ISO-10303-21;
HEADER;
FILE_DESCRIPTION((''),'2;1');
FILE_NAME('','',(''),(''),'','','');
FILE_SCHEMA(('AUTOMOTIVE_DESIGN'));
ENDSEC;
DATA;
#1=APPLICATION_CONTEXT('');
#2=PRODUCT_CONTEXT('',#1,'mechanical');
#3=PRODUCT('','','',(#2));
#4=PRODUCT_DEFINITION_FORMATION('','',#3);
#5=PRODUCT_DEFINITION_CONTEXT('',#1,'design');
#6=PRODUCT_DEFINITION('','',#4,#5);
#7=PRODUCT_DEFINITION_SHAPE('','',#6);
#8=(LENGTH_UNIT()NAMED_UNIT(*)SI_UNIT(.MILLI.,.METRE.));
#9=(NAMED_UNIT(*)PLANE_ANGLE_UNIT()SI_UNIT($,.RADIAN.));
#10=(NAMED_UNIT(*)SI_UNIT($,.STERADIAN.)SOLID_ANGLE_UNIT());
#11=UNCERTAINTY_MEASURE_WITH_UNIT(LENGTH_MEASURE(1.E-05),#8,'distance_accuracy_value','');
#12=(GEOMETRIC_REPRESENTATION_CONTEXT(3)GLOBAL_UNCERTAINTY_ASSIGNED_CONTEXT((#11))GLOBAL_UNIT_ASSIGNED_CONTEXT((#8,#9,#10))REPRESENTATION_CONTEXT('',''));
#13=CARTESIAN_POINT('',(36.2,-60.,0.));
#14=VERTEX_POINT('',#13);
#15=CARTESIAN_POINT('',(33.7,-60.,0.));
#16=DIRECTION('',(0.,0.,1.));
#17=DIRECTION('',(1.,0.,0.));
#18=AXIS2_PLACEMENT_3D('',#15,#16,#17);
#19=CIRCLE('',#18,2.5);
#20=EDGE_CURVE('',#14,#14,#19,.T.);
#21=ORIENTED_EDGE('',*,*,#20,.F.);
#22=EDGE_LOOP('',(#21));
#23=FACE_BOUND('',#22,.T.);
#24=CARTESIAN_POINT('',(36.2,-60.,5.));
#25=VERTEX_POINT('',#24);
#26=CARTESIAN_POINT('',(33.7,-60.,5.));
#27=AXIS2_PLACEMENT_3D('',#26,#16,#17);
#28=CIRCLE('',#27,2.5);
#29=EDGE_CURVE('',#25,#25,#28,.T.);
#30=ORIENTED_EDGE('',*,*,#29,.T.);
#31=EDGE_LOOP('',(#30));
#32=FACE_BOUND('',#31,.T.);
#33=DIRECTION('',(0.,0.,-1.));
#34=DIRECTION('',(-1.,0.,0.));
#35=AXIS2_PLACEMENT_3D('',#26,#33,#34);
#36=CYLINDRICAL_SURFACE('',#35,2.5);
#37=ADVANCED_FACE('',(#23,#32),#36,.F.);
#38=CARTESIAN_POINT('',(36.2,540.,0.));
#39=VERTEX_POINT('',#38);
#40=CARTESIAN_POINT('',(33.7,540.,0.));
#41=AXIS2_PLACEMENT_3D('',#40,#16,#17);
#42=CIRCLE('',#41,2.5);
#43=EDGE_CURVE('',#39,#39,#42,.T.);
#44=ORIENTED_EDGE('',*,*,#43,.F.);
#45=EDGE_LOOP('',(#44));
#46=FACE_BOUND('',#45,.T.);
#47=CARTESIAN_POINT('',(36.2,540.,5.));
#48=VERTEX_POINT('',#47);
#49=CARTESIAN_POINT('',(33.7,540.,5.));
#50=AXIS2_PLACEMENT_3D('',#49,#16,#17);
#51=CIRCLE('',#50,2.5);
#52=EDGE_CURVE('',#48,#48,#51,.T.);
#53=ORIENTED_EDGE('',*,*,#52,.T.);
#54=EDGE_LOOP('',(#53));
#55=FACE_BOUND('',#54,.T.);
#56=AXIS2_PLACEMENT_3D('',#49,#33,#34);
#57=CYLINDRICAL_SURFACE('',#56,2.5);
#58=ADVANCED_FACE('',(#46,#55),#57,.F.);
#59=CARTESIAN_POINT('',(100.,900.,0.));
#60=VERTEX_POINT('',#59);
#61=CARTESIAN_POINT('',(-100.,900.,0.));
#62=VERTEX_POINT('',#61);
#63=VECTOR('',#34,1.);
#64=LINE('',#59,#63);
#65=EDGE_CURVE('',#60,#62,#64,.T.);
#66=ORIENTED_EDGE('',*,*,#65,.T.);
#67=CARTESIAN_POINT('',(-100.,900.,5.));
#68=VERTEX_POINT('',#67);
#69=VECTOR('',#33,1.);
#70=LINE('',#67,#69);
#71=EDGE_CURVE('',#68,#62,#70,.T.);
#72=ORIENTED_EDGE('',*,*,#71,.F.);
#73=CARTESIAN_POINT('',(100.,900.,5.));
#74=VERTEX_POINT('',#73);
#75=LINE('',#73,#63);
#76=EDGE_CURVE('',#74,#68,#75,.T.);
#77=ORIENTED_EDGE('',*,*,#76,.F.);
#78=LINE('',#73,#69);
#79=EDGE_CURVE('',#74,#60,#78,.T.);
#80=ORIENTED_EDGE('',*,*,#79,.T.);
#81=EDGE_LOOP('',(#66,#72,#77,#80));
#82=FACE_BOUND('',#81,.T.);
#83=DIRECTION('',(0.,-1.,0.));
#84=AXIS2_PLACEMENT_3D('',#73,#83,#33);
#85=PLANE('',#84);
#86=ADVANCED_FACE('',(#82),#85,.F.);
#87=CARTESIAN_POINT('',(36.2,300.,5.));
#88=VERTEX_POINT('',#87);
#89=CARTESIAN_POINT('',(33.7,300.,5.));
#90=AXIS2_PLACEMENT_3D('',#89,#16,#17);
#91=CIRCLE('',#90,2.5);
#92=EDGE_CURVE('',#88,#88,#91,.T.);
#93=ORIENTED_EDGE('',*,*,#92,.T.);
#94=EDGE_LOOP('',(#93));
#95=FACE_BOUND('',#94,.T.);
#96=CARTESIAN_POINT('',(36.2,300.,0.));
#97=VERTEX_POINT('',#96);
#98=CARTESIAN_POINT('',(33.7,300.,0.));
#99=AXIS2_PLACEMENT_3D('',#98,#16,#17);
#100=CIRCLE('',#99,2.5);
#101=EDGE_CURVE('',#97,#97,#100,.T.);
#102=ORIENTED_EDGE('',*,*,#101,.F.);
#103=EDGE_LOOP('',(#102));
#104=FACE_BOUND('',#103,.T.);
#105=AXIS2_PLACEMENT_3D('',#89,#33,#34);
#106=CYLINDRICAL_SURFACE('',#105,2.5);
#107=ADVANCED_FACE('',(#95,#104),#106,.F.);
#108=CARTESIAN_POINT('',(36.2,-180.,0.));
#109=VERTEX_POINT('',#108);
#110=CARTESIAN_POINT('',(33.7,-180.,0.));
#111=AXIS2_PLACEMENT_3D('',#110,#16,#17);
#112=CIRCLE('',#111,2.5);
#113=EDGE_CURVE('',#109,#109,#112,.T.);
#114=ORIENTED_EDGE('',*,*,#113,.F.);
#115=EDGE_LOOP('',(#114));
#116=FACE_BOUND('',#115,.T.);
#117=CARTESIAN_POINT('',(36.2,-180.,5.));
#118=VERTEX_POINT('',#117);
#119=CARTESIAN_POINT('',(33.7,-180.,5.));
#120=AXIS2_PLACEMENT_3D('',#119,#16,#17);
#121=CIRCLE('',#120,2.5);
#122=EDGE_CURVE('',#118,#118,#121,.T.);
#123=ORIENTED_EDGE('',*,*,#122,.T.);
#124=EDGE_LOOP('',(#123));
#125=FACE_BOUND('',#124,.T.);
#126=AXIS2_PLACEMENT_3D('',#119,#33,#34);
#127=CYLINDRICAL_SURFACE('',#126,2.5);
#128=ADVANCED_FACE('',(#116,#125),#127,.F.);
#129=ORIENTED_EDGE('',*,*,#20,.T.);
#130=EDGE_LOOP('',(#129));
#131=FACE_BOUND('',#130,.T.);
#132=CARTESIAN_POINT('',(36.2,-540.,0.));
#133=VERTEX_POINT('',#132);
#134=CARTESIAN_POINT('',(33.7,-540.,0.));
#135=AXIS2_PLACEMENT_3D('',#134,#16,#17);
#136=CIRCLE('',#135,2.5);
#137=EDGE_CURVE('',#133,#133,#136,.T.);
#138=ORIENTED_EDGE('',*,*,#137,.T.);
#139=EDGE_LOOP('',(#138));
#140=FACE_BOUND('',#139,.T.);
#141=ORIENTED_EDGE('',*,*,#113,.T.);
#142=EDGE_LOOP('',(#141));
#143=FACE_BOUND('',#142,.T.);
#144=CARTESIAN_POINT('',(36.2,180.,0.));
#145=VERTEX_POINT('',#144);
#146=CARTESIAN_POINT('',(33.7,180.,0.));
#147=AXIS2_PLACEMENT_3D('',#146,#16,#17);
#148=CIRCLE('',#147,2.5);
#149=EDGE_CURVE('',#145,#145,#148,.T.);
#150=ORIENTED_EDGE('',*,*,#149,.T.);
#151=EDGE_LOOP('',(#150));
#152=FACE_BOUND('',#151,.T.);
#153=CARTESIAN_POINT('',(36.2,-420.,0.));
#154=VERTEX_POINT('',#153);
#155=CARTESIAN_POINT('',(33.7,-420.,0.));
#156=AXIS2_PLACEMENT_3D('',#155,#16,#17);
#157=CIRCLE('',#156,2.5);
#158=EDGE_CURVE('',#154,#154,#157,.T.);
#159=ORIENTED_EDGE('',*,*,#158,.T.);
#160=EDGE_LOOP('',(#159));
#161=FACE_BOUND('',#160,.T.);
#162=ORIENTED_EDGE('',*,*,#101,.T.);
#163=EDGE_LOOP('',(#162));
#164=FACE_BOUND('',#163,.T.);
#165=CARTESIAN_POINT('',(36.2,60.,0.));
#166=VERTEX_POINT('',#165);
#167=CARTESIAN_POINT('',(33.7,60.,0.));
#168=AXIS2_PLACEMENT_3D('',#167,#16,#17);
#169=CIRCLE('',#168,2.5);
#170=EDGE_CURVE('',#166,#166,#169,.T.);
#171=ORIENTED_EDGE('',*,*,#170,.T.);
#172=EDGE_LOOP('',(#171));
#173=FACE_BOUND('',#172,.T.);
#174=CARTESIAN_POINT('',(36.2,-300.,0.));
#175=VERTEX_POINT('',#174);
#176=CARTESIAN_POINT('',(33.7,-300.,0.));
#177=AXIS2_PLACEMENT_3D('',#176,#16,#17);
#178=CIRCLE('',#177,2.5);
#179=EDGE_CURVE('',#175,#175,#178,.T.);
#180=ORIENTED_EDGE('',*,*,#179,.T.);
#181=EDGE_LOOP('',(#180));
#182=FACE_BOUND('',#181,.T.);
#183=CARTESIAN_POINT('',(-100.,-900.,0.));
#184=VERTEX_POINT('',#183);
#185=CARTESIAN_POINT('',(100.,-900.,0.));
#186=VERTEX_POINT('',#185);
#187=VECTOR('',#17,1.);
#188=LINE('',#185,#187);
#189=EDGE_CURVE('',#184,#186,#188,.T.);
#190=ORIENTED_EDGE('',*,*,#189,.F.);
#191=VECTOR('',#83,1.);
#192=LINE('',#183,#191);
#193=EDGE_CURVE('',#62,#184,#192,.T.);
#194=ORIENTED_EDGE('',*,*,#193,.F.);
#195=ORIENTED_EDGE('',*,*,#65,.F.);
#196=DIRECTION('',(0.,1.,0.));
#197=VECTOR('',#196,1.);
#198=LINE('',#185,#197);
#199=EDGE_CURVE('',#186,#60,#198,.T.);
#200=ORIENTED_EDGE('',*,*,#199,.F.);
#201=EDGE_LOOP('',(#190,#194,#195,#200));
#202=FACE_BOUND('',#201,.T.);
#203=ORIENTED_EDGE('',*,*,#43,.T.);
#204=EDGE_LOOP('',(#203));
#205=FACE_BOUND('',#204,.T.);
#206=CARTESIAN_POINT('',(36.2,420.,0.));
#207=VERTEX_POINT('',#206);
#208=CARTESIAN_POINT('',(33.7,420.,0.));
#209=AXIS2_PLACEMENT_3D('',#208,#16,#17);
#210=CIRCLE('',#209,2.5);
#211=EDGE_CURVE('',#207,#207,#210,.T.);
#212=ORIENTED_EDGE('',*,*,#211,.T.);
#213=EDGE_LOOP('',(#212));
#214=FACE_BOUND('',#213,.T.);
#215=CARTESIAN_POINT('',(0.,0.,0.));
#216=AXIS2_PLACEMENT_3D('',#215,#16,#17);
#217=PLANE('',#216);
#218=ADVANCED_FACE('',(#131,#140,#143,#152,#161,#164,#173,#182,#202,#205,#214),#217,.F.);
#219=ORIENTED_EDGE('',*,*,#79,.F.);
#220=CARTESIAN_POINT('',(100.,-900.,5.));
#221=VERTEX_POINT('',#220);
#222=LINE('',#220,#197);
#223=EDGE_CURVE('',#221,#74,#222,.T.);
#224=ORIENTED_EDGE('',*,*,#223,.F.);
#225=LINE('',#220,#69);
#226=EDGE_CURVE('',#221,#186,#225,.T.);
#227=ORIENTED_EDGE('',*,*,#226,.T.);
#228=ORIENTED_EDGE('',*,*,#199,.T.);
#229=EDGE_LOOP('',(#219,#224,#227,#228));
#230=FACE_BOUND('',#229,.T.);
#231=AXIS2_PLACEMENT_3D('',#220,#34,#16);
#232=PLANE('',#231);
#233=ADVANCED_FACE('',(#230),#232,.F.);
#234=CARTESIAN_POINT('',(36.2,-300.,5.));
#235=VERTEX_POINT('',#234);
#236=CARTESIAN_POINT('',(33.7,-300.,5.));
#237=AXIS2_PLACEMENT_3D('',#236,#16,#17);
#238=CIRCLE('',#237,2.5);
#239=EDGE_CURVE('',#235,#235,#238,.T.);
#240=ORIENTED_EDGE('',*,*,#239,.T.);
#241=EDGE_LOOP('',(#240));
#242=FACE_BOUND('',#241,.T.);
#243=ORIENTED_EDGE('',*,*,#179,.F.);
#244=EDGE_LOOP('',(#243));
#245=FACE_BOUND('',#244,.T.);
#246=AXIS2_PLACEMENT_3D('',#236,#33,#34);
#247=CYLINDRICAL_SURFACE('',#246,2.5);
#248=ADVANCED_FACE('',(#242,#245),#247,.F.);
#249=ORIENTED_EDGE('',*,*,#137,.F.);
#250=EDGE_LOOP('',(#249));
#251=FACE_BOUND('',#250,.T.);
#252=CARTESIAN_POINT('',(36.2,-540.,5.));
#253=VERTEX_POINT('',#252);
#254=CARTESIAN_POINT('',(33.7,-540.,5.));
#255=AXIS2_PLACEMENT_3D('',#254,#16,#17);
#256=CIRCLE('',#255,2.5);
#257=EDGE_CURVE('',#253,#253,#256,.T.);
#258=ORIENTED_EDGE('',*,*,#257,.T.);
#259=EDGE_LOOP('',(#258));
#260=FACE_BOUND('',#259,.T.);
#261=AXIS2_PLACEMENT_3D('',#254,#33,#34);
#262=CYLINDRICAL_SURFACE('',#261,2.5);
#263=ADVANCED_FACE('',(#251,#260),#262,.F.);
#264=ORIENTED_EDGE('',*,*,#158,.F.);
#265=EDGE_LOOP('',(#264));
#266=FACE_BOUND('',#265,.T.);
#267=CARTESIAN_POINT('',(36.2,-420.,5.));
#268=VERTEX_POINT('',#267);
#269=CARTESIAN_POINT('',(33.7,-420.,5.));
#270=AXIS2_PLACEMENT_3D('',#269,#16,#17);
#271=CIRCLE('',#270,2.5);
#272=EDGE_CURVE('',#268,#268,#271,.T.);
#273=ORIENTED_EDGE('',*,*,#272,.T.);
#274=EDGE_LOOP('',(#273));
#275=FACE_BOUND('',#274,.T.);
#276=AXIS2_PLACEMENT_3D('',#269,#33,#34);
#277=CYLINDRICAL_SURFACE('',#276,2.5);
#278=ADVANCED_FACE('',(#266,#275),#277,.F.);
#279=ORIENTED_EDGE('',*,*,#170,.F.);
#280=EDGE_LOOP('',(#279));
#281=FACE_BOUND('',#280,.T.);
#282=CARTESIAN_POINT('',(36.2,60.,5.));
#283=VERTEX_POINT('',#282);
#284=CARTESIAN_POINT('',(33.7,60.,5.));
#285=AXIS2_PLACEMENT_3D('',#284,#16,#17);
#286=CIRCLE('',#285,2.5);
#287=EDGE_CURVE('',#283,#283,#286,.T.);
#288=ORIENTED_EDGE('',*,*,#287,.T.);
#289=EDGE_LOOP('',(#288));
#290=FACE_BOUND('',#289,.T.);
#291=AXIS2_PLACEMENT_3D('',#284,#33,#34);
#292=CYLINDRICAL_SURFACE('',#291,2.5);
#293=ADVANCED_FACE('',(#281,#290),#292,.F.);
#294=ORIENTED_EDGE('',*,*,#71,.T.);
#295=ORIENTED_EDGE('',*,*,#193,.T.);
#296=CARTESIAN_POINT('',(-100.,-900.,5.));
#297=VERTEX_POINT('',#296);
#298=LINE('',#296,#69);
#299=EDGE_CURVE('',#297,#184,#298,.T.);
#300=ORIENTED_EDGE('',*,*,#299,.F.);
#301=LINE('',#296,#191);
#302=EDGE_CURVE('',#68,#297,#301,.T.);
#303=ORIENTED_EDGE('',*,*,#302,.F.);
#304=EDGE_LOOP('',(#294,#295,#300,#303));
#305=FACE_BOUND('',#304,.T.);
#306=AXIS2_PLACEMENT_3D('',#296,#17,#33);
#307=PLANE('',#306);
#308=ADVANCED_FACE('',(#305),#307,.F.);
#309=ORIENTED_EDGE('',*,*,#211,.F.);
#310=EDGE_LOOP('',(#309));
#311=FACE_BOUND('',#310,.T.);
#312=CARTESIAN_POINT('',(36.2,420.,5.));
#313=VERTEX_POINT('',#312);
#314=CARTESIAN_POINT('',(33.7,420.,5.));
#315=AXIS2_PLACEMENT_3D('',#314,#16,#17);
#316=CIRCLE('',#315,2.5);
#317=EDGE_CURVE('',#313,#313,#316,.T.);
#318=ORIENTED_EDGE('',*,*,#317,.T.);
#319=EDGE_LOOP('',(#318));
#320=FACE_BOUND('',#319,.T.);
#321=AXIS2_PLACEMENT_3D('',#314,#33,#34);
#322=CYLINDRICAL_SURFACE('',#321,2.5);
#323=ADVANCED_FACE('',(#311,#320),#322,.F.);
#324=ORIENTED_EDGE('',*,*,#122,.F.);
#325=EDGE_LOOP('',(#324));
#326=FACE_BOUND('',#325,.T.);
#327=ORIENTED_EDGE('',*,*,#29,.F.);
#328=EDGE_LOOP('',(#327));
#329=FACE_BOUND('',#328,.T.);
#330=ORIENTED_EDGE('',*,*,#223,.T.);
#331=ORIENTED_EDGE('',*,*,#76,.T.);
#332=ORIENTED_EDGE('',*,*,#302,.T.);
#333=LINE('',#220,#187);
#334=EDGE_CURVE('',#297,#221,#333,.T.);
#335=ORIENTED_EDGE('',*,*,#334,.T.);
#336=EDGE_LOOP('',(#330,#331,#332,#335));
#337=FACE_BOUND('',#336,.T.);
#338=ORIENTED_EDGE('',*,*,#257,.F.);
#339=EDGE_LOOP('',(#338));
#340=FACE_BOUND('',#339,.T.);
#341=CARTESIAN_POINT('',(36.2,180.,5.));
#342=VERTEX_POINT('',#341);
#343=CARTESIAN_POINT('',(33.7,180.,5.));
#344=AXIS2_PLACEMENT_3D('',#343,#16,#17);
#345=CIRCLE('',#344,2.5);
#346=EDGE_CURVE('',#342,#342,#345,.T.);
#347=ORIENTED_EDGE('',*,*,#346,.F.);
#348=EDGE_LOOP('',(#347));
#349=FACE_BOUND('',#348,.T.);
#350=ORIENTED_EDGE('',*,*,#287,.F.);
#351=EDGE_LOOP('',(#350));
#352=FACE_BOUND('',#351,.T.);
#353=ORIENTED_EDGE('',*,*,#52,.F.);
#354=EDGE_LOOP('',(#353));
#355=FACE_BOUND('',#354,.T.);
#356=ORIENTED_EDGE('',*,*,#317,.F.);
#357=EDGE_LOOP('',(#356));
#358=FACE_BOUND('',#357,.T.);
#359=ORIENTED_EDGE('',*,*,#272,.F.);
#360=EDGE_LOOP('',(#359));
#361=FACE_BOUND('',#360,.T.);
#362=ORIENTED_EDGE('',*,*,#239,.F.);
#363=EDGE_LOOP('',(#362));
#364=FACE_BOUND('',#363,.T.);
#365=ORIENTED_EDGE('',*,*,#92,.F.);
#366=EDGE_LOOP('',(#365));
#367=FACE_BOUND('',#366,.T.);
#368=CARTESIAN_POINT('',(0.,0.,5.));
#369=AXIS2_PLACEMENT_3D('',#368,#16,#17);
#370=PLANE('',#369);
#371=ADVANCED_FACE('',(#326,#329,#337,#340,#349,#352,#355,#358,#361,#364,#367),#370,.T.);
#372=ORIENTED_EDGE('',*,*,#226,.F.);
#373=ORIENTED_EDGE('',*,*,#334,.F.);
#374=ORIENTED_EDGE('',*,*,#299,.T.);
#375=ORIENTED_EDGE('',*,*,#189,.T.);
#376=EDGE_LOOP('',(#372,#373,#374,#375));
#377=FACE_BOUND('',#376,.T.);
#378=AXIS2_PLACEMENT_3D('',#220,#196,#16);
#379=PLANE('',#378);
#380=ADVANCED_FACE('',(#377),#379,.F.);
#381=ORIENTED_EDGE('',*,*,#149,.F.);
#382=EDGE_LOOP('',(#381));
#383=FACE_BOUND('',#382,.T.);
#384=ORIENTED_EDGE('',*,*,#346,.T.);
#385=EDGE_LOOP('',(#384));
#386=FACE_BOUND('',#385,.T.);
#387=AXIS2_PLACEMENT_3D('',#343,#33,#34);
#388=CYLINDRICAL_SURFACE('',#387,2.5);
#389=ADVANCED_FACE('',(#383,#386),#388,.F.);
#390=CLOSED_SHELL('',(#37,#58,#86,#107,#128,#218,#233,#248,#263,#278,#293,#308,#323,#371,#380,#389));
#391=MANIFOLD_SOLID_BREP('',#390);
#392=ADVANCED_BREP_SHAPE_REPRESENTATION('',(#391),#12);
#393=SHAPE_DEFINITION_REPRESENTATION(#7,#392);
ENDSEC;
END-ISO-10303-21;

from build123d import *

# Parameters (mm, degrees)
SKETCH1_W           = 200
SKETCH1_H           = 1800
SKETCH1_R           = 2.5
BOSS_EXTRUDE1_DEPTH = 5


with BuildPart() as part:
    # Sketch1 → Boss-Extrude1 (new body)
    with BuildSketch(Plane.XY):
        Rectangle(SKETCH1_W, SKETCH1_H)
        with Locations((33.7, -540)):
            Circle(SKETCH1_R, mode=Mode.SUBTRACT)
        with Locations((33.7, -420)):
            Circle(SKETCH1_R, mode=Mode.SUBTRACT)
        with Locations((33.7, -300)):
            Circle(SKETCH1_R, mode=Mode.SUBTRACT)
        with Locations((33.7, -180)):
            Circle(SKETCH1_R, mode=Mode.SUBTRACT)
        with Locations((33.7, -60)):
            Circle(SKETCH1_R, mode=Mode.SUBTRACT)
        with Locations((33.7, 60)):
            Circle(SKETCH1_R, mode=Mode.SUBTRACT)
        with Locations((33.7, 180)):
            Circle(SKETCH1_R, mode=Mode.SUBTRACT)
        with Locations((33.7, 300)):
            Circle(SKETCH1_R, mode=Mode.SUBTRACT)
        with Locations((33.7, 420)):
            Circle(SKETCH1_R, mode=Mode.SUBTRACT)
        with Locations((33.7, 540)):
            Circle(SKETCH1_R, mode=Mode.SUBTRACT)
    extrude(amount=BOSS_EXTRUDE1_DEPTH)


solid = part.part
